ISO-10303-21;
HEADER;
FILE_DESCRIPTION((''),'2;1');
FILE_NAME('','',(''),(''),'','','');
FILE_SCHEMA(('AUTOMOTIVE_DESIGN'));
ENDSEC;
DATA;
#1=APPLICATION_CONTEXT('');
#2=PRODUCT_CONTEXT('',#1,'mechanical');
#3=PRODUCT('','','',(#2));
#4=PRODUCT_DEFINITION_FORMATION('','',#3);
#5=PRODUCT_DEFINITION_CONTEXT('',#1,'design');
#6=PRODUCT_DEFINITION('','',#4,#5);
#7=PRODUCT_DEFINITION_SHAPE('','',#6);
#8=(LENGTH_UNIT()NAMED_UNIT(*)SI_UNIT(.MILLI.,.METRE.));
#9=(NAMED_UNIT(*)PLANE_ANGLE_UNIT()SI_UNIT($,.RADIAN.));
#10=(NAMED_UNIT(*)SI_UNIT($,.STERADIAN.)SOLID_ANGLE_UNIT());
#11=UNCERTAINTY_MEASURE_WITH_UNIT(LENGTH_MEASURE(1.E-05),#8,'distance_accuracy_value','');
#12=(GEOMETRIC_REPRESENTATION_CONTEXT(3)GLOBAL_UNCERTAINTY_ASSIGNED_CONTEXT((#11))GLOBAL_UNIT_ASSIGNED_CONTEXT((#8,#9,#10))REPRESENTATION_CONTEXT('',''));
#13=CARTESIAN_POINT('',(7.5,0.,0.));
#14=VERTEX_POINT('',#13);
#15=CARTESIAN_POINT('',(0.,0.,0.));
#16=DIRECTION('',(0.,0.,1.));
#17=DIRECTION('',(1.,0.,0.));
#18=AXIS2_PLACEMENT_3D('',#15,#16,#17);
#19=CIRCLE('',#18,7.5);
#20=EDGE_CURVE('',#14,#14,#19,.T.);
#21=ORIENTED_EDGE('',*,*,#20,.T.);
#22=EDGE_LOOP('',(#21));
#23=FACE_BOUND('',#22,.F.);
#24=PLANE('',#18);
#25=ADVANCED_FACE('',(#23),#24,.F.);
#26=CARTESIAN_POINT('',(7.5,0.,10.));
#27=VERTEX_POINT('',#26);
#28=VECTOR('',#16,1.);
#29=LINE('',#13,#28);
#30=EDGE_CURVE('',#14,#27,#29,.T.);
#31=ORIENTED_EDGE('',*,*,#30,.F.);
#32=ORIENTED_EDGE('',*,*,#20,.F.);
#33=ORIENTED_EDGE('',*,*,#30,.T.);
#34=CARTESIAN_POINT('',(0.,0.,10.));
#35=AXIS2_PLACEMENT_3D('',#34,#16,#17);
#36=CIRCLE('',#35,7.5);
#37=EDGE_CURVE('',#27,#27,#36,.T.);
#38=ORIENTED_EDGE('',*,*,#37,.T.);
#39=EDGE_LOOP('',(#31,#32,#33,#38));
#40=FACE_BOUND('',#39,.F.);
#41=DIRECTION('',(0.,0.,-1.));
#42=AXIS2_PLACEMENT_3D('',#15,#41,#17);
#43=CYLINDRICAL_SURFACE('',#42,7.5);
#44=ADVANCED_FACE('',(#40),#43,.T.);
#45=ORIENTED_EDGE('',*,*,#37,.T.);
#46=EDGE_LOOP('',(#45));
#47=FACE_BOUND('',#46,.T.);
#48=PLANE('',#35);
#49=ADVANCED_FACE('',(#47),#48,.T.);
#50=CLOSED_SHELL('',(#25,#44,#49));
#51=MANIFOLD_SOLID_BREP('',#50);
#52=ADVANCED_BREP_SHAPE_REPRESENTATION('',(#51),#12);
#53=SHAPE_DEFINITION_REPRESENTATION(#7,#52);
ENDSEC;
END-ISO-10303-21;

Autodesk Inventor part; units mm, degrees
ref_plane "YZ Plane" through (0, 0, 0) normal (1, 0, 0) x (0, 1, 0)
ref_plane "XZ Plane" through (0, 0, 0) normal (0, 1, 0) x (-1, 0, 0)
ref_plane "XY Plane" through (0, 0, 0) normal (0, 0, 1) x (1, 0, 0)
sketch "Sketch1" plane through (0, 0, 0) normal (0, 0, 1) x (1, 0, 0)
  circle A0 centre (0, 0) radius 7.5
  dimension "d0" = 15
extrude "Extrusion1" add sketch "Sketch1" along normal blind 10
properties part number "WaxTest"
